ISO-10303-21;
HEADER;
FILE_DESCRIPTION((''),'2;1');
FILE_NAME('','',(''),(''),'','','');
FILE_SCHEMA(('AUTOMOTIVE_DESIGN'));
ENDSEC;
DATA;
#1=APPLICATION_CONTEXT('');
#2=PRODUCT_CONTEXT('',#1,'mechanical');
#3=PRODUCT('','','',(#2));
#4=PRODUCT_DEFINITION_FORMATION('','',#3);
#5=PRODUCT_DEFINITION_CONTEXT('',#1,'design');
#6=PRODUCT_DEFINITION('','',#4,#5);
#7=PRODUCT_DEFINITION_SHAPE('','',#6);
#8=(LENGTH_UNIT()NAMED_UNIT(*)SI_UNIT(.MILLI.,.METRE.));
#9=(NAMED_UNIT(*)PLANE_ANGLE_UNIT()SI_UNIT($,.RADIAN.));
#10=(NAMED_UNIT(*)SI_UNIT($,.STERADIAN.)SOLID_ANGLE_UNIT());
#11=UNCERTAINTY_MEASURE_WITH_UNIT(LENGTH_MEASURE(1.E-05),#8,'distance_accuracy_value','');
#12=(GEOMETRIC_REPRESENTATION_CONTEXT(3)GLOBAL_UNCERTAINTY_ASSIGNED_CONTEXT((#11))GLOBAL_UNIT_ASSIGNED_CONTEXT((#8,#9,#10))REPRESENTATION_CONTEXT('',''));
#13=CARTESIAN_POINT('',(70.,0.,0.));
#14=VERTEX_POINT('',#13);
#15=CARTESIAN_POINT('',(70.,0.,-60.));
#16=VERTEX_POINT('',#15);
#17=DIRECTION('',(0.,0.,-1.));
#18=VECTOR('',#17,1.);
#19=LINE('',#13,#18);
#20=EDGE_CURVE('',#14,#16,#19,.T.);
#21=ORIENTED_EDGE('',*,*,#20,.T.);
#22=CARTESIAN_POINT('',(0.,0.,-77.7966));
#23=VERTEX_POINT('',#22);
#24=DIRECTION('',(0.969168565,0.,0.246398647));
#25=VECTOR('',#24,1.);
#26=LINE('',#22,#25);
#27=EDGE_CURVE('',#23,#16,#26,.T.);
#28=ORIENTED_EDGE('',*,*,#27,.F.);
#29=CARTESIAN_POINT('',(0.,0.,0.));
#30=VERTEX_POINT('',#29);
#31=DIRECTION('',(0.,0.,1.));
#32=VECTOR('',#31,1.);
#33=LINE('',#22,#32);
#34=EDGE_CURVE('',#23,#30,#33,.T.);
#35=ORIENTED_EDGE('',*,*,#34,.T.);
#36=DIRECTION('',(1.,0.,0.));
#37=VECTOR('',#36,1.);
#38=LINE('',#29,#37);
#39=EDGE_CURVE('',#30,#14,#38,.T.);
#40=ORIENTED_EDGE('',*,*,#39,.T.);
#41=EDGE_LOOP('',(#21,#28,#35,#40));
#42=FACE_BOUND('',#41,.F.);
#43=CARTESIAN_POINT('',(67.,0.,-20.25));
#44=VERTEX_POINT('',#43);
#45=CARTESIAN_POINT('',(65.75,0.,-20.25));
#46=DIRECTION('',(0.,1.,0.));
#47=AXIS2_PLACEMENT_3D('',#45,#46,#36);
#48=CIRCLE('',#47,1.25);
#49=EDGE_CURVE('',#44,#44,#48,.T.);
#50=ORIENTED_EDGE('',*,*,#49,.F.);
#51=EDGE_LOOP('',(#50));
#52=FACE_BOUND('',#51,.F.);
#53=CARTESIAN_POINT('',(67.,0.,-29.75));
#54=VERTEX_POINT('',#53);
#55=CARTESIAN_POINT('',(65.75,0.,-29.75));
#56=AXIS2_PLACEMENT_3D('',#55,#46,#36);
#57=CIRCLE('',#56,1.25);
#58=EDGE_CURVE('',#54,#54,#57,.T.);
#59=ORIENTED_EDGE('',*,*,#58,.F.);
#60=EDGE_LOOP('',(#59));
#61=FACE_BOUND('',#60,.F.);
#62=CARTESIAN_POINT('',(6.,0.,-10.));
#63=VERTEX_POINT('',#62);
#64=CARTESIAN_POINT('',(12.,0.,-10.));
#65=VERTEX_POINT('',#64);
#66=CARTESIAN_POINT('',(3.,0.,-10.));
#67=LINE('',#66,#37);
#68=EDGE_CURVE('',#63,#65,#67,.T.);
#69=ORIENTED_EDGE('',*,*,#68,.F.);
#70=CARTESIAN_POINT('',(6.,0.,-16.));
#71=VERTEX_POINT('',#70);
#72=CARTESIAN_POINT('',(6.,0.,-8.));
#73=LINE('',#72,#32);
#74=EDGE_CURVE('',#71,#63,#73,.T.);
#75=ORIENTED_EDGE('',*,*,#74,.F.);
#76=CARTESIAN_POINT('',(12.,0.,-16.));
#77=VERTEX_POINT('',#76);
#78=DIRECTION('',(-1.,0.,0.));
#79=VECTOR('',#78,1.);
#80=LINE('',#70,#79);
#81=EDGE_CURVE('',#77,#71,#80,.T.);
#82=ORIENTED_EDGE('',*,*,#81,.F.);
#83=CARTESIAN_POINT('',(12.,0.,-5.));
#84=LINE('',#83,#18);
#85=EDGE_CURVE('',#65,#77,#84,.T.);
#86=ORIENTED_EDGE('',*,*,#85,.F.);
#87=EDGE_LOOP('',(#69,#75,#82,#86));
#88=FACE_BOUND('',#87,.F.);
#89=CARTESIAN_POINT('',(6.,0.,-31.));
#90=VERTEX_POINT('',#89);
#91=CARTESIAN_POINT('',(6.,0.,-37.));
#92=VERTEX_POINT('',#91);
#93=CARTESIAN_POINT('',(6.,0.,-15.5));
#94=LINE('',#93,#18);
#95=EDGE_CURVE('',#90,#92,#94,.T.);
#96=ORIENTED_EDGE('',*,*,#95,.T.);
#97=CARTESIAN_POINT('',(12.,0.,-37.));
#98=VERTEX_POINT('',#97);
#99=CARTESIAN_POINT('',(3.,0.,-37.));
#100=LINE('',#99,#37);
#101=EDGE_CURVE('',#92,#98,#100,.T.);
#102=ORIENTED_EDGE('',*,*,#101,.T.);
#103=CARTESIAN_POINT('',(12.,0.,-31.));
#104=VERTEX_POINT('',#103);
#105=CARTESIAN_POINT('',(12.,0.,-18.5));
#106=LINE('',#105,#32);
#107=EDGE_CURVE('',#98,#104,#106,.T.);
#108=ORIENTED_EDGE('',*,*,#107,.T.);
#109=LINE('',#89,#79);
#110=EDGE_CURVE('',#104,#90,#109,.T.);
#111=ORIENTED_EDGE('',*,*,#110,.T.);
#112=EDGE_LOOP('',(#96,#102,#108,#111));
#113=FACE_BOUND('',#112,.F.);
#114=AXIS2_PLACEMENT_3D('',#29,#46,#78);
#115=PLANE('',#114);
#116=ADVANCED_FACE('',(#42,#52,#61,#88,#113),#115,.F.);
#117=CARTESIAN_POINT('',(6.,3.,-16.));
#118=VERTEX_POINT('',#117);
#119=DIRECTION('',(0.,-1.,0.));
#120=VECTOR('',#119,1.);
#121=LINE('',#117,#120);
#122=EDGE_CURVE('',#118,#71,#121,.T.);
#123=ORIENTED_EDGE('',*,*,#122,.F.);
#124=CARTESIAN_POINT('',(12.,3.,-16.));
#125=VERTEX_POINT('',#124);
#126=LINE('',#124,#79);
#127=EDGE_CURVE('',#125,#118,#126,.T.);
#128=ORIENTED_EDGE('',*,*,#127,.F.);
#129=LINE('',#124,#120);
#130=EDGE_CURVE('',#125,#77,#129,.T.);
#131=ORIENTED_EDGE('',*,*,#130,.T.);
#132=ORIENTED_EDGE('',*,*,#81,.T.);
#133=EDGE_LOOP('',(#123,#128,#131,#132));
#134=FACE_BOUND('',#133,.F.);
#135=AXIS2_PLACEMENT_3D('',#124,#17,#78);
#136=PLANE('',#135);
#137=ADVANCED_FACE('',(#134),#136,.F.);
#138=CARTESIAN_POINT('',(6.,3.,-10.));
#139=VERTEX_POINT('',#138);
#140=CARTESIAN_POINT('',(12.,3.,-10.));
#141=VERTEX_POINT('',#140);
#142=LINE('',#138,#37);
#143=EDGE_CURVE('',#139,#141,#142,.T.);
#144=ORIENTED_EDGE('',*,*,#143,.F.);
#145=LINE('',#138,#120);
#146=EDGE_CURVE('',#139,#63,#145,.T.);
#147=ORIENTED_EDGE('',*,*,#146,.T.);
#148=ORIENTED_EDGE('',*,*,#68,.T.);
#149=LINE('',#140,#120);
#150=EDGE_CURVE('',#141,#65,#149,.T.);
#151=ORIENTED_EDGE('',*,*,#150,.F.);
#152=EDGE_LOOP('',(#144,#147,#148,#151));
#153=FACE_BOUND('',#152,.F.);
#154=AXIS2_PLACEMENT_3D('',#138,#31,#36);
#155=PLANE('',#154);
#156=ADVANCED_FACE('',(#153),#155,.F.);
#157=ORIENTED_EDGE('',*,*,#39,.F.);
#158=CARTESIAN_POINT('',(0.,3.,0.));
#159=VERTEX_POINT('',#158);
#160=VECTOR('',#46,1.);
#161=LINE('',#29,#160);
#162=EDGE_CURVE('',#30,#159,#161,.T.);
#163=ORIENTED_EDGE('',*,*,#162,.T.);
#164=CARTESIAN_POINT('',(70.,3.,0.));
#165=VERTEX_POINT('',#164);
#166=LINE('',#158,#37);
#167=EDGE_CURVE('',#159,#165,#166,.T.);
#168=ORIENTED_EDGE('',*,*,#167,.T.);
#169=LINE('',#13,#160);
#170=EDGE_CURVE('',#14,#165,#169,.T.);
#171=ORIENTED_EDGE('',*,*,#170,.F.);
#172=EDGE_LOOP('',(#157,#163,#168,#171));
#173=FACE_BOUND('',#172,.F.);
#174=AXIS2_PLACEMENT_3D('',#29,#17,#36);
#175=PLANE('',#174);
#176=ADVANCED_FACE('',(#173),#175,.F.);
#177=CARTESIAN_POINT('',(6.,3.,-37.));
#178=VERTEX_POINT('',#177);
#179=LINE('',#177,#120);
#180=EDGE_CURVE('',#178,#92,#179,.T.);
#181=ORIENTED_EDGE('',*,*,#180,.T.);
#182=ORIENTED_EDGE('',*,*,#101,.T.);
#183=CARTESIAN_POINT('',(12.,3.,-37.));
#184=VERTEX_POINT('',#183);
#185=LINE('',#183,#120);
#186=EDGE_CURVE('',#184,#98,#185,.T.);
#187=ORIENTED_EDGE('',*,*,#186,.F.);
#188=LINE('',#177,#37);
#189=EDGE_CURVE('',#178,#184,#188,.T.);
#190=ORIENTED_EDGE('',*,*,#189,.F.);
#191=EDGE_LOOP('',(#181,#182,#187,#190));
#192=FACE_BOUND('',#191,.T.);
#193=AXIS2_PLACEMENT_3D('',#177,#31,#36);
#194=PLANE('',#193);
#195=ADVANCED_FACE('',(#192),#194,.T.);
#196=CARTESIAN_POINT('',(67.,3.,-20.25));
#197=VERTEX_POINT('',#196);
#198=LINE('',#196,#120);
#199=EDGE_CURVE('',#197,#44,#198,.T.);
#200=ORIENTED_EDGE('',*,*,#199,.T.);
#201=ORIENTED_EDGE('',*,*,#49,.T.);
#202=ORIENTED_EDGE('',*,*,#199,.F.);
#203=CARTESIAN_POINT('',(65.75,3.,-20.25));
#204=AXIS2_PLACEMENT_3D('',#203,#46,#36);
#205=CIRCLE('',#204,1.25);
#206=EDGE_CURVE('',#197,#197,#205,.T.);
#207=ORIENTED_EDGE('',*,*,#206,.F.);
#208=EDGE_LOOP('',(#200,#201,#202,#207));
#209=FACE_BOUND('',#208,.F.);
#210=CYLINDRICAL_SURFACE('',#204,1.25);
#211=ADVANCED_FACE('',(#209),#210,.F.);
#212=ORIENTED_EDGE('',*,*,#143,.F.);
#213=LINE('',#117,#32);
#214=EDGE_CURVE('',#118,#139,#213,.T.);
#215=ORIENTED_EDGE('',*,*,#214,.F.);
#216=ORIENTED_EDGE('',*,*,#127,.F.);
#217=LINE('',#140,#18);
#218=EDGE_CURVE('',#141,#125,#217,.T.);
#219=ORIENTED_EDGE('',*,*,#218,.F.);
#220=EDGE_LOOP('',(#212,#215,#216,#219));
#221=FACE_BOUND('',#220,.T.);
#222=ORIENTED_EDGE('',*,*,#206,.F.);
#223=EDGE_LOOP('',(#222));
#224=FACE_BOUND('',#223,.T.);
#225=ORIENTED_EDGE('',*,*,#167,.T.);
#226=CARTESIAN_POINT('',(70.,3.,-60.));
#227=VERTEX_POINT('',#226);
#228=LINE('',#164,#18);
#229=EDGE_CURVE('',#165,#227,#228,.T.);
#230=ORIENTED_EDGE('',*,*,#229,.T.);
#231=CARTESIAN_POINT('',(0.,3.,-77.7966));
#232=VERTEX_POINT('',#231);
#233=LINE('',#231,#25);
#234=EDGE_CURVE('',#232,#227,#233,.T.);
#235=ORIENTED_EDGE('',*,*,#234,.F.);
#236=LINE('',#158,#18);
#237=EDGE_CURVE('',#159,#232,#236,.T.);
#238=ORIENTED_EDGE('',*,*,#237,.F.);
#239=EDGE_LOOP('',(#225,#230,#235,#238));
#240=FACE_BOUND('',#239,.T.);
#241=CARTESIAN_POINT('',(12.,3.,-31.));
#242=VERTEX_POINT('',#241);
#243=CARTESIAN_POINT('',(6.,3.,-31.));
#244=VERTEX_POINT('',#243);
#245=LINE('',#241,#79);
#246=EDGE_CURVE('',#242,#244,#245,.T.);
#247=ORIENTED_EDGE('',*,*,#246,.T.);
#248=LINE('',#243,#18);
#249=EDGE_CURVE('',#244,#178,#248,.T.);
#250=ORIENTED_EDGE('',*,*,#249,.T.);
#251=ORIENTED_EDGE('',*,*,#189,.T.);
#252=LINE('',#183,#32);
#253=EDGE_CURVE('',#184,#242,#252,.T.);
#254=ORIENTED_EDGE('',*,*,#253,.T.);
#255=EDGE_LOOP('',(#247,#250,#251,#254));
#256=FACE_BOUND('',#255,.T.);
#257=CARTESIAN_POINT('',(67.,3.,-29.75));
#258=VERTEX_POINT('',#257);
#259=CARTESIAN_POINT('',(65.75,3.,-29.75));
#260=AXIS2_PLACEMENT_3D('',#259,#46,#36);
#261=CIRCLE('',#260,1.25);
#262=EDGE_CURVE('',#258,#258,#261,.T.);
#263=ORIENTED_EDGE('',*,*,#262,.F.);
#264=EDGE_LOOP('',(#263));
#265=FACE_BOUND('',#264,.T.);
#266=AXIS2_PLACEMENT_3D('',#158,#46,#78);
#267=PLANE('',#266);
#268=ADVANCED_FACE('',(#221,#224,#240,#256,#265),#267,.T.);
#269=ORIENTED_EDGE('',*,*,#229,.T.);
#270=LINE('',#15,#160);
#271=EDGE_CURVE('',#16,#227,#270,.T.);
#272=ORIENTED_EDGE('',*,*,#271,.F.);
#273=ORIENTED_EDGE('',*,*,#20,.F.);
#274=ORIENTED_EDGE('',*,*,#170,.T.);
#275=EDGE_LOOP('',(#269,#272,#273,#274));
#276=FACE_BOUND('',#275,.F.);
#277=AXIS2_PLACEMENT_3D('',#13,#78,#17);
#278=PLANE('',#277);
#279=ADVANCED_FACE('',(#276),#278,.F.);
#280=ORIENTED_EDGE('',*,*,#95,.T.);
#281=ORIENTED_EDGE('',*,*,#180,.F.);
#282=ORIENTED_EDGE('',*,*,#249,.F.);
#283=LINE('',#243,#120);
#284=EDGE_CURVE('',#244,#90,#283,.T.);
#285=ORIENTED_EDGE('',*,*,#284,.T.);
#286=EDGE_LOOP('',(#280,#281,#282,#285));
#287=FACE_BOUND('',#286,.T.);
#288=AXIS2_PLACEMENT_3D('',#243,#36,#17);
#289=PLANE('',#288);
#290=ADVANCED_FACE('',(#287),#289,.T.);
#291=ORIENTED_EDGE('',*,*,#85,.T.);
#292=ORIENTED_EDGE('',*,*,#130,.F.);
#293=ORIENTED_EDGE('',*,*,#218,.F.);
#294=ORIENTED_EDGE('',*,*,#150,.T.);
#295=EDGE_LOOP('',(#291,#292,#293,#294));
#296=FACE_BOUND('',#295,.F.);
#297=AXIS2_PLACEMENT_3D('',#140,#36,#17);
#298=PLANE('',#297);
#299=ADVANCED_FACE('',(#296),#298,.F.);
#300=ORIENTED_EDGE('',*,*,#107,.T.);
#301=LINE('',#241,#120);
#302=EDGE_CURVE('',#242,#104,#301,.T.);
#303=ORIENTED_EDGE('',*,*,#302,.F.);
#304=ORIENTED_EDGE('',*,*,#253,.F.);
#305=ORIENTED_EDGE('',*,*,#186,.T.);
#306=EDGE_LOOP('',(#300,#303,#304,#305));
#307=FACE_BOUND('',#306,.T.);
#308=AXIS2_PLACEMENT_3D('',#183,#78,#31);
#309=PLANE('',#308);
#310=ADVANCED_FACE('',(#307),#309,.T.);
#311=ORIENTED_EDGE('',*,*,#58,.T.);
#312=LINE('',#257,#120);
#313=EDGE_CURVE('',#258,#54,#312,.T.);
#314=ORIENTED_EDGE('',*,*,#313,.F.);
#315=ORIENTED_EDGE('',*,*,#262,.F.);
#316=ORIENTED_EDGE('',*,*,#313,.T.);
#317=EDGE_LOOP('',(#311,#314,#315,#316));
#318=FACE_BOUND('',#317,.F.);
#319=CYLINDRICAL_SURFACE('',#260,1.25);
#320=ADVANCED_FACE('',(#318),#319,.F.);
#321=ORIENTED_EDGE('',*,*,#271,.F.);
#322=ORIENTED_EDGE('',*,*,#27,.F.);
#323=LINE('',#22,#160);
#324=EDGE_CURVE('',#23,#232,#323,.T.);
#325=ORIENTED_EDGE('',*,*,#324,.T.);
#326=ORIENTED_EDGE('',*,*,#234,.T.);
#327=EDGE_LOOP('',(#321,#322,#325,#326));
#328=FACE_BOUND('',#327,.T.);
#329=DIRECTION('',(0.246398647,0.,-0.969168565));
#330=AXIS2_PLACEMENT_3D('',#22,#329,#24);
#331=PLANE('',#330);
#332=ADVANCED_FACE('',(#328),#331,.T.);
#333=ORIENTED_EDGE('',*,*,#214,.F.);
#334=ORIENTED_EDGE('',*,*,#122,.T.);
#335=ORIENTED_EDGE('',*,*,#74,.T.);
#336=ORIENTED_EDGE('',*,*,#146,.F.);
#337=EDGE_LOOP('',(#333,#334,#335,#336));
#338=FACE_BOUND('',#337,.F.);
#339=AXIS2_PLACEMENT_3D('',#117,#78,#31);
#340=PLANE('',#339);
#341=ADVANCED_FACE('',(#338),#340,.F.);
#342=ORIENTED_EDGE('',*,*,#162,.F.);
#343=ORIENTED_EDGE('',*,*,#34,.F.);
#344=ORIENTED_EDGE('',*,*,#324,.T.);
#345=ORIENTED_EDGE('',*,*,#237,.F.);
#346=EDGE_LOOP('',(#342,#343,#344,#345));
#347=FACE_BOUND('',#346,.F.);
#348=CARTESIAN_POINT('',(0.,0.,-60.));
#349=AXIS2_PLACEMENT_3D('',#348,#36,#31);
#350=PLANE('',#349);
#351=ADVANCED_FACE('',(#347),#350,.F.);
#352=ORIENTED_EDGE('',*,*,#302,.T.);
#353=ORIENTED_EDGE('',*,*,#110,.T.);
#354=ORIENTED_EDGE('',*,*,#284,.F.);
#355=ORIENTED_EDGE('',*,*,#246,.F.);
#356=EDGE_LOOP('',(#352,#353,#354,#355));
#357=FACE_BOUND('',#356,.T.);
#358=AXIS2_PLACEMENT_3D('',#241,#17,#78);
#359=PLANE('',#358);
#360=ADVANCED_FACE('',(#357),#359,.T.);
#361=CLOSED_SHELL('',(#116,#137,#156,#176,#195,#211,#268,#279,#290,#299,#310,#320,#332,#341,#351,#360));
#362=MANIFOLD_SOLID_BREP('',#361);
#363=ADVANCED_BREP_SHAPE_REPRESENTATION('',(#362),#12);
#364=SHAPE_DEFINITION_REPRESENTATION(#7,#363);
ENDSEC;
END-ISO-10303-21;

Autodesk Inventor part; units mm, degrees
ref_plane "YZ Plane" through (0, 0, 0) normal (1, 0, 0) x (0, 1, 0)
ref_plane "XZ Plane" through (0, 0, 0) normal (0, 1, 0) x (-1, 0, 0)
ref_plane "XY Plane" through (0, 0, 0) normal (0, 0, 1) x (1, 0, 0)
sketch "Sketch1" plane through (0, 0, 0) normal (0, 1, 0) x (-1, 0, 0)
  line L0 (0, 0) -> (-70, 0)
  line L1 (-70, 0) -> (-70, -60)
  line L2 (-70, -60) -> (0, -60)
  line L3 (0, -60) -> (0, 0)
  line L4 (0, -60) -> (0, -77.7966)
  line L5 (0, -77.7966) -> (-70, -60)
  dimension "d0" = 70
  dimension "d1" = 60
  dimension "d23" = 14.264
extrude "Extrusion1" add sketch "Sketch1" along normal blind 3
sketch "Sketch3" plane through (0, 3, 0) normal (0, 1, 0) x (1, 0, 0)
  circle A0 centre (65.75, 20.25) radius 1.25
  circle A1 centre (65.75, 29.75) radius 1.25
  line L0 (70, 0) -> (70, 60) projected
  line L1 (0, 0) -> (70, 0) projected
  line L2 (6, 10) -> (12, 10)
  line L3 (12, 10) -> (12, 16)
  line L4 (12, 16) -> (6, 16)
  line L5 (6, 16) -> (6, 10)
  line L6 (6, 37) -> (12, 37)
  line L7 (12, 37) -> (12, 31)
  line L8 (12, 31) -> (6, 31)
  line L9 (6, 31) -> (6, 37)
  line L10 (0, 77.7966) -> (0, 0) projected
  dimension "d15" = 2.5
  dimension "d16" = 4.25
  dimension "d17" = 4.25
  dimension "d18" = 2.5
  dimension "d19" = 20.25
  dimension "d20" = 9.5
  dimension "d24" = 6
  dimension "d25" = 6
  dimension "d26" = 6
  dimension "d27" = 10
  dimension "d28" = 15
  dimension "d29" = 6
extrude "Extrusion3" cut sketch "Sketch3" along normal through all both and the other way through all
equation "\"d17\" = d16"
equation "\"d18\" = d15"
properties part number "pinball-case-left-wall-outer-scaled"
